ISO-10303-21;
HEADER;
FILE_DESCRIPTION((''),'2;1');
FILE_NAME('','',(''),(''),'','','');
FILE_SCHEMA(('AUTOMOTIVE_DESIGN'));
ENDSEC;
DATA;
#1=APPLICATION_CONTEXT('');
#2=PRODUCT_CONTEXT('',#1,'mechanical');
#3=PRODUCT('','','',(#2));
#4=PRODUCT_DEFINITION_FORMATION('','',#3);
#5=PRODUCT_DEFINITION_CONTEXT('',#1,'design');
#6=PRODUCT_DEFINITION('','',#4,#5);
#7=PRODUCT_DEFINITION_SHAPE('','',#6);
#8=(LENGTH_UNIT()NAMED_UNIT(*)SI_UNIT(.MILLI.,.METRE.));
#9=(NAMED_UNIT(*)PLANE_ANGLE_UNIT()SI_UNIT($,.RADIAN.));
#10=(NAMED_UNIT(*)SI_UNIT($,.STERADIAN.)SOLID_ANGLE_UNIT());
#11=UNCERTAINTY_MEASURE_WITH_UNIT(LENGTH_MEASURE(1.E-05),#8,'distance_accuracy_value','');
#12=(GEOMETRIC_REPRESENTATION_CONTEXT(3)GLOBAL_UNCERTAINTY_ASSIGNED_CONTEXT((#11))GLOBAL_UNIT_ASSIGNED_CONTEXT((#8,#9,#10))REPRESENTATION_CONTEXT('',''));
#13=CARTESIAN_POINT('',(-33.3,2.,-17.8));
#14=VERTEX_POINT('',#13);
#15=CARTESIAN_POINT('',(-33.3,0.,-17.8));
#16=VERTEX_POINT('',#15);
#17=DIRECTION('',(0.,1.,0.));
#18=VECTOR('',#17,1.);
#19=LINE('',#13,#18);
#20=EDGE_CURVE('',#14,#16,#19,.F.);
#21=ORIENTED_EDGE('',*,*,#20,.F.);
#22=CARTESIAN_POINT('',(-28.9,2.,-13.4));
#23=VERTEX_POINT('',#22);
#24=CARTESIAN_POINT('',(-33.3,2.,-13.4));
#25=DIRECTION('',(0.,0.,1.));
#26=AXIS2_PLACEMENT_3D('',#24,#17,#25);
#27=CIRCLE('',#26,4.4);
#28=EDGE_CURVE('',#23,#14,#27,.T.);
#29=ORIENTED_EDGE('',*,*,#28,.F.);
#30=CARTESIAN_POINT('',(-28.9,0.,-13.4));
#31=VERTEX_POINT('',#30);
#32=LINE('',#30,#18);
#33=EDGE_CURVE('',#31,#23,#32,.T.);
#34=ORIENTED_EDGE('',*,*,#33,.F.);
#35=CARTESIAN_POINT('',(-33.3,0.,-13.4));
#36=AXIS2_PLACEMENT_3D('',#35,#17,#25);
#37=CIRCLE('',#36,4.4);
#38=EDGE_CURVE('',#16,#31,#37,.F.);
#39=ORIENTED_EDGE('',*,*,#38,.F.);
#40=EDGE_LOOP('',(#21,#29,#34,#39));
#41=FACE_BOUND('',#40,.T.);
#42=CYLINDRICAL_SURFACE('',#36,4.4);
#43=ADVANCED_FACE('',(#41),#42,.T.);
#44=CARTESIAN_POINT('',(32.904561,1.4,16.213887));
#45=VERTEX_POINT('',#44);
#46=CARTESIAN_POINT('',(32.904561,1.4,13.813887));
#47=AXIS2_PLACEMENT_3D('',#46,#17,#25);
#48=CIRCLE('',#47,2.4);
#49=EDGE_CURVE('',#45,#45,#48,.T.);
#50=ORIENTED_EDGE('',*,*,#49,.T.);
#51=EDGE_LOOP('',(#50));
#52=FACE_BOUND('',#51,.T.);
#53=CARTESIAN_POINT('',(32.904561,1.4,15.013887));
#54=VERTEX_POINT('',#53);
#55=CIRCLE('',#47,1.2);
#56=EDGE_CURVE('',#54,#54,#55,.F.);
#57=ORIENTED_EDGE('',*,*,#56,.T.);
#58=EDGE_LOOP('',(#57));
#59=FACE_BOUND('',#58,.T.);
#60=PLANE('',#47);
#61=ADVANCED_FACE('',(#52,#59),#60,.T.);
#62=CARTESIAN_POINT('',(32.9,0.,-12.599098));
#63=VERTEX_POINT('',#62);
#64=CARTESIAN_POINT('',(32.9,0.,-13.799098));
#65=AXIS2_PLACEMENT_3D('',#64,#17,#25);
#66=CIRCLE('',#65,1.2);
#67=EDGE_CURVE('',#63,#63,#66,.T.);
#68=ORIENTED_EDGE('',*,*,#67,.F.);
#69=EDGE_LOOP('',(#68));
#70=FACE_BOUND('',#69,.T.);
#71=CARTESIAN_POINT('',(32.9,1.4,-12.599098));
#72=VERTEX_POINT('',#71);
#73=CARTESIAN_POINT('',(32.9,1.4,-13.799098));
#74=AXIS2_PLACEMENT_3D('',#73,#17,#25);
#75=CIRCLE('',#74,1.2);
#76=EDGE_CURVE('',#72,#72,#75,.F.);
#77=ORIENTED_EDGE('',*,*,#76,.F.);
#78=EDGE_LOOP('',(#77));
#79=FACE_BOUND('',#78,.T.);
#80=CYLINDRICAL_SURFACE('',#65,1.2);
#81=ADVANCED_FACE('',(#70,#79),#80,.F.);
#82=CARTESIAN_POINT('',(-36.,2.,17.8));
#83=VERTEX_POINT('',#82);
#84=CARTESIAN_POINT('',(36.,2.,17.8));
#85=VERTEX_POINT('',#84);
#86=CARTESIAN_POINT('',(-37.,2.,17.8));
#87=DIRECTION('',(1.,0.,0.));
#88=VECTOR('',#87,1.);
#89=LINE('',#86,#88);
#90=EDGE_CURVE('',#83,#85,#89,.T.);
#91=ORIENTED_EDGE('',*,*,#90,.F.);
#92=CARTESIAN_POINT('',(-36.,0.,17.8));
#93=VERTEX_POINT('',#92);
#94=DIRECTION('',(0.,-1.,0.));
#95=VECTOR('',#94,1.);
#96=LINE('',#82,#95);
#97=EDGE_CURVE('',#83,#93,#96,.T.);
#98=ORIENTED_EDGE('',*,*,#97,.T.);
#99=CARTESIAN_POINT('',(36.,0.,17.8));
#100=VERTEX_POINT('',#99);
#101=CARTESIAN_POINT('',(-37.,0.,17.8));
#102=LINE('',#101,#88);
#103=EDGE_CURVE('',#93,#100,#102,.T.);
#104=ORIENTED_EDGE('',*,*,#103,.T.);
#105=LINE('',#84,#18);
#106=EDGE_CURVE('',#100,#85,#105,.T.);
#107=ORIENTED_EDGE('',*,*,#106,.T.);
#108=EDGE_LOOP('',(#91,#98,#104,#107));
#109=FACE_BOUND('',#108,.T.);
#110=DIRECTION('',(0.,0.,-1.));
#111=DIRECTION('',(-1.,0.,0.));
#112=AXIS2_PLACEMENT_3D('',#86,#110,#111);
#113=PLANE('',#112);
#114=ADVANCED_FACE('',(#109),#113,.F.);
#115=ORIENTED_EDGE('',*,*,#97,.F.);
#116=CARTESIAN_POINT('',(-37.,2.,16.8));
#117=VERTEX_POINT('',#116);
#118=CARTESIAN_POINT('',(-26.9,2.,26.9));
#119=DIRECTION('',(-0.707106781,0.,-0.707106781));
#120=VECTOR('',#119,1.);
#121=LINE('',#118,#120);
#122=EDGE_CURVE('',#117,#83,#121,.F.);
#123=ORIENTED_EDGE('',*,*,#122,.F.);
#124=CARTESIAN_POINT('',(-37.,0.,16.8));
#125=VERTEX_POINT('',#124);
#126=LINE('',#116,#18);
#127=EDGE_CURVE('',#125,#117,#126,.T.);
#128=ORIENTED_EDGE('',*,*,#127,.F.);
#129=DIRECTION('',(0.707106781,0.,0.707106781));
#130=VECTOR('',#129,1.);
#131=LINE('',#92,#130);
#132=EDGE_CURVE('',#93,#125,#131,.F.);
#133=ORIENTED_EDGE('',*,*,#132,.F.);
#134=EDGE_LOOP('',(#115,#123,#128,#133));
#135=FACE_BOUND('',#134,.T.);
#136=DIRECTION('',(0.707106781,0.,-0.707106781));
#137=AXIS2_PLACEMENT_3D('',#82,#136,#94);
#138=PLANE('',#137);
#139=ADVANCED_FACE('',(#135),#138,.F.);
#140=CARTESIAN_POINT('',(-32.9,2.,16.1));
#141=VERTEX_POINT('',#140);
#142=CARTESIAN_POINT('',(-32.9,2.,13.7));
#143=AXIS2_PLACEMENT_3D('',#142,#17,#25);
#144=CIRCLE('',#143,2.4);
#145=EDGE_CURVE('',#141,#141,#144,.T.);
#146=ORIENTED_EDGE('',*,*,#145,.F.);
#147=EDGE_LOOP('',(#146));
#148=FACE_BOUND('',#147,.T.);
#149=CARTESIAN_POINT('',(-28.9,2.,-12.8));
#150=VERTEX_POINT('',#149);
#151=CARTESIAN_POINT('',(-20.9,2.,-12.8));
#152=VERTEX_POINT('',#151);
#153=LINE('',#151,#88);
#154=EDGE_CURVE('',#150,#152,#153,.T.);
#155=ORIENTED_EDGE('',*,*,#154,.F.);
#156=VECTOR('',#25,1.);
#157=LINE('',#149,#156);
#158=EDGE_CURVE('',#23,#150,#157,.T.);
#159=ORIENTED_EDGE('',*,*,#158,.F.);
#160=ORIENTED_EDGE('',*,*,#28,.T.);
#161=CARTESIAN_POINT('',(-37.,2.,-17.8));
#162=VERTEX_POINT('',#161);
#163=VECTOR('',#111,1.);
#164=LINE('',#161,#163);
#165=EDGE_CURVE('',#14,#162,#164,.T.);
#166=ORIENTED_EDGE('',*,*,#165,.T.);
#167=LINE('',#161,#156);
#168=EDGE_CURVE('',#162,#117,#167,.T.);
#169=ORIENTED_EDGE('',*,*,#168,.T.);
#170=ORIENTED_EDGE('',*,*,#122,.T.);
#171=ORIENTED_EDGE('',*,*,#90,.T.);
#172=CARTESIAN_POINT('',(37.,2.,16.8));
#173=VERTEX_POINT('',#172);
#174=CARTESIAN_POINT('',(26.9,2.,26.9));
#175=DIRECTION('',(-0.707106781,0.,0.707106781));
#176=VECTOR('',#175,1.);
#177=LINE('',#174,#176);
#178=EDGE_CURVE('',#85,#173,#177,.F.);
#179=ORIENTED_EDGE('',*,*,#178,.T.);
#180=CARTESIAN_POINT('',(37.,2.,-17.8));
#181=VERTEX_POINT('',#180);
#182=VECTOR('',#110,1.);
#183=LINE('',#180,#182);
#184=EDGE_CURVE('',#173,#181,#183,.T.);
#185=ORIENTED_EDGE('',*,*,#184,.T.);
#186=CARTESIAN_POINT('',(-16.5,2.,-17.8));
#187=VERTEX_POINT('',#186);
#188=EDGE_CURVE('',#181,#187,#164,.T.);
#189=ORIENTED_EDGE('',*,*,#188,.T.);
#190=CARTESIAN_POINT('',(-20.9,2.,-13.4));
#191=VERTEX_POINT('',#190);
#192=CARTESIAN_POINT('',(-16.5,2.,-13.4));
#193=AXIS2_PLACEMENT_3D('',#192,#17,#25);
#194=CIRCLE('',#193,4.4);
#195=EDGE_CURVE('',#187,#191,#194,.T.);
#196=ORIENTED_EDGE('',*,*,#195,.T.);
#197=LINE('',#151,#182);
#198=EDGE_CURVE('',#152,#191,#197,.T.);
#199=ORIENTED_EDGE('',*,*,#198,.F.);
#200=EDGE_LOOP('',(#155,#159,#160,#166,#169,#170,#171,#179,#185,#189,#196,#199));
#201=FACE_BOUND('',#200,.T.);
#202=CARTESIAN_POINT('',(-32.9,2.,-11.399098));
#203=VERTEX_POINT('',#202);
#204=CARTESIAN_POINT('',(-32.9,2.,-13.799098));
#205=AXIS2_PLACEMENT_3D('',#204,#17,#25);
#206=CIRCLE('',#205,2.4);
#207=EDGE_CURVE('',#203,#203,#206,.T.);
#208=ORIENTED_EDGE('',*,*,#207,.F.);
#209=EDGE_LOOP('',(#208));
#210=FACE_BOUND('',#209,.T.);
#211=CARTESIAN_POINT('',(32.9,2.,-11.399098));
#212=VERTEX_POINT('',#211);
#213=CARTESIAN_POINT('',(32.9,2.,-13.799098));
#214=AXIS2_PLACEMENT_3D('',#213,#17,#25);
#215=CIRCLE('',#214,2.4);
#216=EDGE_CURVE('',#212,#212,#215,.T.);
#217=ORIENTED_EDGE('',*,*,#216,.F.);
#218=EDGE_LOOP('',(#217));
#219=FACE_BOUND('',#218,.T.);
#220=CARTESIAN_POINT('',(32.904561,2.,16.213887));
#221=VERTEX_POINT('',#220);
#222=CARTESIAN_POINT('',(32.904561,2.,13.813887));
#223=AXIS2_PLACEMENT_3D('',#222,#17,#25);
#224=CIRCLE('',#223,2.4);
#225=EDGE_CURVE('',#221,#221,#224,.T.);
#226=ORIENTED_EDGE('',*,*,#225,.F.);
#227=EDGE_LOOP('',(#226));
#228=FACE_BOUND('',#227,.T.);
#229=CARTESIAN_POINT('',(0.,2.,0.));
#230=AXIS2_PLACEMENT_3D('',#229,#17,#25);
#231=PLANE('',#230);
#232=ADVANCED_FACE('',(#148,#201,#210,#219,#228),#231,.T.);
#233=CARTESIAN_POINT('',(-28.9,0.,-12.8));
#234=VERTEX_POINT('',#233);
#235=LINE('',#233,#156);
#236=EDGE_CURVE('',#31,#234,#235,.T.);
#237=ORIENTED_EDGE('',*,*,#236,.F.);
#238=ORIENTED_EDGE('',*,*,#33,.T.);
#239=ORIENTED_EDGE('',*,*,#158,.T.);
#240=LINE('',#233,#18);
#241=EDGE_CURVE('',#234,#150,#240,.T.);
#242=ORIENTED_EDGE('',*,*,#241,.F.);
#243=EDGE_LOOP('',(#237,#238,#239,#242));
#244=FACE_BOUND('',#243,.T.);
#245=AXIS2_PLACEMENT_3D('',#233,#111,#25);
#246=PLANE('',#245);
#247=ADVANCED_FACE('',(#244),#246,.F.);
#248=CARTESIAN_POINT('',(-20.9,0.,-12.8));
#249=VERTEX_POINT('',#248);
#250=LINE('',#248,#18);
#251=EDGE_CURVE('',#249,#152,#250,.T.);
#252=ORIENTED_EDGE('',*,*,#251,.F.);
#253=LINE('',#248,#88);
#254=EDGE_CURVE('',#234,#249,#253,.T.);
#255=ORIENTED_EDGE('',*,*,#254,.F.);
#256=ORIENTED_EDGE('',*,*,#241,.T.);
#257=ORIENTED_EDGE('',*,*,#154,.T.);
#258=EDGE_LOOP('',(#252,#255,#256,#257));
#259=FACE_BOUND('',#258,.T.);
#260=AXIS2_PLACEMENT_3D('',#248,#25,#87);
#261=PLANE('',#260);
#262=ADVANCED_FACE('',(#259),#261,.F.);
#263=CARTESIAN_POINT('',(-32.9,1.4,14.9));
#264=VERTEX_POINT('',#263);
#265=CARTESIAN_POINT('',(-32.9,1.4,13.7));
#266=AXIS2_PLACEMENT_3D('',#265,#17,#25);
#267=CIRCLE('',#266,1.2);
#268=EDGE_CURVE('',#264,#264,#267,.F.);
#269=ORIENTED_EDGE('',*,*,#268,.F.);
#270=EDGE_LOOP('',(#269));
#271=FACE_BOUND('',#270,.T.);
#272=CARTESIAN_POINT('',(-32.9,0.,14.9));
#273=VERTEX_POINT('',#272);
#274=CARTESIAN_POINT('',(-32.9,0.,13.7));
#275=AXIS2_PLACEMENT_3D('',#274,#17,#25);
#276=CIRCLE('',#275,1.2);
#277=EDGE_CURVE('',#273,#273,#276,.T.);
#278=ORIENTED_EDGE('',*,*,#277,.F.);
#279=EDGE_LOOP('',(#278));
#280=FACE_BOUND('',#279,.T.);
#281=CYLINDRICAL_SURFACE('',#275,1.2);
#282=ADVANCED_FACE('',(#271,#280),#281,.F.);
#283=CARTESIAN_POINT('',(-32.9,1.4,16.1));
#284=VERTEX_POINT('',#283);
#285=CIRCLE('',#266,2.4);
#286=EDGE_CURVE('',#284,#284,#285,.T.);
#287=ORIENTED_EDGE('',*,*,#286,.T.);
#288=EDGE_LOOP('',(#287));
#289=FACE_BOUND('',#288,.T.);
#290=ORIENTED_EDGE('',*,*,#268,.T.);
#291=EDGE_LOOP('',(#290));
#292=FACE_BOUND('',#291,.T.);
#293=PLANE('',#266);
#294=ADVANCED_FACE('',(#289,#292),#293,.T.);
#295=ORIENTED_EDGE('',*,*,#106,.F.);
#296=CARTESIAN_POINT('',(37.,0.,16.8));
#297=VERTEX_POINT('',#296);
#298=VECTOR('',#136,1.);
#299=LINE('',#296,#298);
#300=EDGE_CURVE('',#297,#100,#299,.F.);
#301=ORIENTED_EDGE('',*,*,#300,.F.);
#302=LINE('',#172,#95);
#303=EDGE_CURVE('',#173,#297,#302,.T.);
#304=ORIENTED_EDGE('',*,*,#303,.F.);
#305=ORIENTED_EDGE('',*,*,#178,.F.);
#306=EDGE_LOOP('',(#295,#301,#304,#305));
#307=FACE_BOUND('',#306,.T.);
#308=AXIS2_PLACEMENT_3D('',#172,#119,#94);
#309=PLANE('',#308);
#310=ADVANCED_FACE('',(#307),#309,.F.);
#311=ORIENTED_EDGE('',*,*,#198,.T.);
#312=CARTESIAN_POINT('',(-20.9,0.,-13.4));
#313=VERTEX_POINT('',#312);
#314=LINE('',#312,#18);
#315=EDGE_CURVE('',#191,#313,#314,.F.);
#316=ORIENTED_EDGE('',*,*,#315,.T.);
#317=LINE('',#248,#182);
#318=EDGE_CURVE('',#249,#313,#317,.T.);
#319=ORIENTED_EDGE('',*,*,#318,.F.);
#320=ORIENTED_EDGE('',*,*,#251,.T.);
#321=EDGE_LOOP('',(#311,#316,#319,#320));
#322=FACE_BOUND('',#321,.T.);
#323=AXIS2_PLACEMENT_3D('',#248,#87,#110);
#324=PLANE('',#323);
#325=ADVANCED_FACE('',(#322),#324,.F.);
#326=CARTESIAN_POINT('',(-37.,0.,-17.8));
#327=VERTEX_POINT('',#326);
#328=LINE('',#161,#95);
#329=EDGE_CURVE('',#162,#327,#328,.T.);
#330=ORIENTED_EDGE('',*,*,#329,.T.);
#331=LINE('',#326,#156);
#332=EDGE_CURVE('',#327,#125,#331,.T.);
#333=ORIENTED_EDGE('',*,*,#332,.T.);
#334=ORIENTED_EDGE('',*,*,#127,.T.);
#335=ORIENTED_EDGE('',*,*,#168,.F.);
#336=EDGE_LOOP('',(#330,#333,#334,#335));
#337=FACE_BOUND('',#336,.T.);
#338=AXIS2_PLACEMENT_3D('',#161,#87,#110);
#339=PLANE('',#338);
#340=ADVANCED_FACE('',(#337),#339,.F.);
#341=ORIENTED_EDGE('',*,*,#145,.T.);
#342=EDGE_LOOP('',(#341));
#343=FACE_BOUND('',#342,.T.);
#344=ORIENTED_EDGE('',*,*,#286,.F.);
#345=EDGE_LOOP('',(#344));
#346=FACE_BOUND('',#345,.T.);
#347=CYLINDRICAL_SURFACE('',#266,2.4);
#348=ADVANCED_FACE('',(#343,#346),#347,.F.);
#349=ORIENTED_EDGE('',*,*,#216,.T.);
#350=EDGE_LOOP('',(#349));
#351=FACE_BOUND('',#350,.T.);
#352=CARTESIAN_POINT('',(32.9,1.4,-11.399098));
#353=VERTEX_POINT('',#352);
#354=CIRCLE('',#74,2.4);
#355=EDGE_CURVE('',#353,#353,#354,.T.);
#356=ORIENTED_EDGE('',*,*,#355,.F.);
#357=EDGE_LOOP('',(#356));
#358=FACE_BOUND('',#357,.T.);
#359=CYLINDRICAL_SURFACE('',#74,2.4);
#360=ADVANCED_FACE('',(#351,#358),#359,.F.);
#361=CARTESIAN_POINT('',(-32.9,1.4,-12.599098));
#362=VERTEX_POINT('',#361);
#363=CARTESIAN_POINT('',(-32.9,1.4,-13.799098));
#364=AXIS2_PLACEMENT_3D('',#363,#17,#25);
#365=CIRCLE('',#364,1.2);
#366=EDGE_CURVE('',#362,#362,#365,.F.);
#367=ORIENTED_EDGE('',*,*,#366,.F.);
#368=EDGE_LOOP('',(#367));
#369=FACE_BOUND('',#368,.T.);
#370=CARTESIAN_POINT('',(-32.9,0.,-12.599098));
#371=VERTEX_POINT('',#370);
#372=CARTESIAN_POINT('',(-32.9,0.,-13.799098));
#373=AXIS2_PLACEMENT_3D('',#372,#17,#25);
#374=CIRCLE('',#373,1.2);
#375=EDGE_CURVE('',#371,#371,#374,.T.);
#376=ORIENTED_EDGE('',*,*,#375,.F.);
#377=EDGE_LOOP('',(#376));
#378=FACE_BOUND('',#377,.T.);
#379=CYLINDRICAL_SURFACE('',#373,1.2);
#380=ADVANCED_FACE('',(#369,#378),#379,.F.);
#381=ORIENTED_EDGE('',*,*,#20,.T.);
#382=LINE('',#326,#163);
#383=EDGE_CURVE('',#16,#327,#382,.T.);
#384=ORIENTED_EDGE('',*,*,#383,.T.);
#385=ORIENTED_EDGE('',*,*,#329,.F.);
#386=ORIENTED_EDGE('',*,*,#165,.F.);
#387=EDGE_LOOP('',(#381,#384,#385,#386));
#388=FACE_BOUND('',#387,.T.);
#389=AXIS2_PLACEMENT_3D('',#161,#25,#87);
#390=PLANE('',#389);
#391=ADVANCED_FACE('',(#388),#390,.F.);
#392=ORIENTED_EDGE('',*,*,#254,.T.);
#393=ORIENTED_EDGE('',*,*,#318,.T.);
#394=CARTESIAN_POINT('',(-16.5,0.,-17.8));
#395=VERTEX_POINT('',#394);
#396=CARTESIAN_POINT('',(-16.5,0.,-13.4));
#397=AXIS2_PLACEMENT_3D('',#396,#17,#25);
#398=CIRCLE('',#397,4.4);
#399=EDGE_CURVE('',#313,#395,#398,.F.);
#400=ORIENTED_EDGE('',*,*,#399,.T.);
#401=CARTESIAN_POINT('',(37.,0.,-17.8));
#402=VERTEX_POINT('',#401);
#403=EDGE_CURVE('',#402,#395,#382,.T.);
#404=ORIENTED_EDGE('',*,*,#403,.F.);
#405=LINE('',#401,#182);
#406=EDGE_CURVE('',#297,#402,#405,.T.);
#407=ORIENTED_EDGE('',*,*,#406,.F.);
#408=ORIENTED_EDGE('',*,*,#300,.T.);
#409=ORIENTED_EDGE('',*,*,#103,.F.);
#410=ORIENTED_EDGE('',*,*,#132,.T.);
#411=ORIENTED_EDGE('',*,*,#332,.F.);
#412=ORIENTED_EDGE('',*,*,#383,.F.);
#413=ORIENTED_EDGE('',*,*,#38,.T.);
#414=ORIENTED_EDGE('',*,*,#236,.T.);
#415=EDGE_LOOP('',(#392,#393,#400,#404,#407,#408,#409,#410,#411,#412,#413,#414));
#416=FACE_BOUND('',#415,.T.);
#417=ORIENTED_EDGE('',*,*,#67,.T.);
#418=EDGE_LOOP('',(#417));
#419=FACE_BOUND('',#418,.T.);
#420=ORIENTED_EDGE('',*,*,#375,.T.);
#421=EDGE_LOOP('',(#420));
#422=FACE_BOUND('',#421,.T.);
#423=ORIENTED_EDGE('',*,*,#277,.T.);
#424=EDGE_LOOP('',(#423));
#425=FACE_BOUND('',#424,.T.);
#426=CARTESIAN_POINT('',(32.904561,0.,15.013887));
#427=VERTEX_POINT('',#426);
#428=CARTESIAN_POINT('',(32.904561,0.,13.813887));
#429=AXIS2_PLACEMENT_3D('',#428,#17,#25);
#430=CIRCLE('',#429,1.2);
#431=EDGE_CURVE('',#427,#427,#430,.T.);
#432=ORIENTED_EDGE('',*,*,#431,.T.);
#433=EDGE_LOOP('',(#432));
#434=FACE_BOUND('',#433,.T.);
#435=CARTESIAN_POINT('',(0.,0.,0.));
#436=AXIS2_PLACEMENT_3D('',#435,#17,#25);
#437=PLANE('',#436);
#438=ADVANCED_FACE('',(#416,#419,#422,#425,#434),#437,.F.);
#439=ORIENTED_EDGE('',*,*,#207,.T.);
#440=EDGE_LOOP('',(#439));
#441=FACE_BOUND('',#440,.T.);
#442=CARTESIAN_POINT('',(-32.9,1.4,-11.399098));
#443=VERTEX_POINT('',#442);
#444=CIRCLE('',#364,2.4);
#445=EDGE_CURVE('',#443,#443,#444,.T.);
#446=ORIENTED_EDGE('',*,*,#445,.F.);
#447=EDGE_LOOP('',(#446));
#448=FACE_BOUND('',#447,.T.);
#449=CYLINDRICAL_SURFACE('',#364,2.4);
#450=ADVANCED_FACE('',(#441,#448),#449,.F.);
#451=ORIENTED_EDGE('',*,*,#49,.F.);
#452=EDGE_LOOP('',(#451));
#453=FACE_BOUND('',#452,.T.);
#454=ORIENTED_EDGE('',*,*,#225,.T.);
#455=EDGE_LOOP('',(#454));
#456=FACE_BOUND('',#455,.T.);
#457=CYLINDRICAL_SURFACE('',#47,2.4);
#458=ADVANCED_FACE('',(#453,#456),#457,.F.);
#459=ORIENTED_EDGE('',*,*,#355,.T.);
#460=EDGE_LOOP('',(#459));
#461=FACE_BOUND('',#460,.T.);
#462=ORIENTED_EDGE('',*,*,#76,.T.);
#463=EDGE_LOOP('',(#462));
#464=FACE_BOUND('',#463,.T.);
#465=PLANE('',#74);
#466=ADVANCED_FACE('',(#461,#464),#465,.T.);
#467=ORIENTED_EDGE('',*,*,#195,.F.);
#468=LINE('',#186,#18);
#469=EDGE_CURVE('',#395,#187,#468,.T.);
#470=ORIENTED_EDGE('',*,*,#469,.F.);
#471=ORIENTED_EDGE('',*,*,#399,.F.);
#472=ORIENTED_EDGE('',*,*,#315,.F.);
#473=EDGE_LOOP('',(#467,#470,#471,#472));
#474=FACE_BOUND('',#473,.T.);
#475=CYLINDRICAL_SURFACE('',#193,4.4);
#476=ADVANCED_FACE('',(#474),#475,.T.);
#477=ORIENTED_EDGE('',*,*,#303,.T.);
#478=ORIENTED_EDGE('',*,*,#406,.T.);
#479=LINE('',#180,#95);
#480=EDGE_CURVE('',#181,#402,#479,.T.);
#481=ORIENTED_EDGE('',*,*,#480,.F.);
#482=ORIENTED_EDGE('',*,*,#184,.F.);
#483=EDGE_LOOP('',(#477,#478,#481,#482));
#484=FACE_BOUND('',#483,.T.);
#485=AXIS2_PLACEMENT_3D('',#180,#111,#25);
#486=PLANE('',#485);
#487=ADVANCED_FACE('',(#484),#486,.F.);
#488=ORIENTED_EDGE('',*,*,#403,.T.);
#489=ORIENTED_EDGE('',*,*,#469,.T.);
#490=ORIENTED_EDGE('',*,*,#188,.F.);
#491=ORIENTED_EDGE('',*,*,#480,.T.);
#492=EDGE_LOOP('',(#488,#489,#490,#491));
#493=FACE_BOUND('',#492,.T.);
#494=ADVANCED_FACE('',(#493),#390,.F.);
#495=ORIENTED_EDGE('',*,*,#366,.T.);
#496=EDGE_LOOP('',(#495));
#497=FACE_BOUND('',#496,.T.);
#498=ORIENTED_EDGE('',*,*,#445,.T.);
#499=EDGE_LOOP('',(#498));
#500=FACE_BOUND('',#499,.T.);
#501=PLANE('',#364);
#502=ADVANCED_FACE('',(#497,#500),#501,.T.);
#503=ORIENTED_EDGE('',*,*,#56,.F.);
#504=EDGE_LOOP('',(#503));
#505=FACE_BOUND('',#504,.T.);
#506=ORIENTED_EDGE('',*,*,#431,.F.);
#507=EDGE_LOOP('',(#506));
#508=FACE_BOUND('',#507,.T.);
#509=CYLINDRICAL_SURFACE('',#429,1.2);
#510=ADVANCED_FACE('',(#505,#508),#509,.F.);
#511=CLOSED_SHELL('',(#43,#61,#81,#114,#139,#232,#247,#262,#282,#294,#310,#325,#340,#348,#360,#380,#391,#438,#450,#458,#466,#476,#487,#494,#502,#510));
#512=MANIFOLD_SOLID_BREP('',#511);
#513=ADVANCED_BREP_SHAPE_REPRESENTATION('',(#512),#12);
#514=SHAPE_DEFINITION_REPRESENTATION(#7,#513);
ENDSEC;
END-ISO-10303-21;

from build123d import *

# Parameters (mm, degrees)
SKETCH_1_W          = 74
SKETCH_1_H          = 35.6
EXTRUDE_1_DEPTH     = 2
CHAMFER_1_SIZE      = 1
SKETCH_2_R          = 1.2
CUT_EXTRUDE_1_DEPTH = 42.107663519
SKETCH_3_R          = 2.4
CUT_EXTRUDE_2_DEPTH = 0.6
SKETCH_5_W          = 8
SKETCH_5_H          = 5
CUT_EXTRUDE_3_DEPTH = 42.107663519
FILLET_1_R          = 4.4


with BuildPart() as part:
    # 草图1 → 凸台-拉伸1 (new body)
    with BuildSketch(Plane(origin=(0, 0, 0), x_dir=(1, 0, 0), z_dir=(0, 1, 0))):
        Rectangle(SKETCH_1_W, SKETCH_1_H)
    extrude(amount=EXTRUDE_1_DEPTH)

    # 倒角1
    chamfer_1_edges = [part.edges().sort_by_distance(p)[0] for p in [
        (37, 1, 17.8),
        (-37, 1, 17.8),
    ]]
    chamfer(chamfer_1_edges, length=CHAMFER_1_SIZE)

    # 草图2 → 切除-拉伸1 (cut, through all)
    with BuildSketch(Plane(origin=(0, 2, 0), x_dir=(1, 0, 0), z_dir=(0, 1, 0))):
        with Locations(Location((32.904560765, -13.813886845, 0), (0, 0, 270))):
            Circle(SKETCH_2_R)
        with Locations(Location((-32.9, -13.7, 0), (0, 0, 270))):
            Circle(SKETCH_2_R)
        with Locations(Location((-32.9, 13.799098008, 0), (0, 0, 270))):
            Circle(SKETCH_2_R)
        with Locations(Location((32.9, 13.799098008, 0), (0, 0, 270))):
            Circle(SKETCH_2_R)
    extrude(amount=-CUT_EXTRUDE_1_DEPTH, mode=Mode.SUBTRACT)

    # 草图3 → 切除-拉伸2 (cut)
    with BuildSketch(Plane(origin=(0, 2, 0), x_dir=(1, 0, 0), z_dir=(0, 1, 0))):
        with Locations(Location((32.904560765, -13.813886845, 0), (0, 0, 270))):
            Circle(SKETCH_3_R)
        with Locations(Location((-32.9, -13.7, 0), (0, 0, 270))):
            Circle(SKETCH_3_R)
        with Locations(Location((32.9, 13.799098008, 0), (0, 0, 270))):
            Circle(SKETCH_3_R)
        with Locations(Location((-32.9, 13.799098008, 0), (0, 0, 270))):
            Circle(SKETCH_3_R)
    extrude(amount=-CUT_EXTRUDE_2_DEPTH, mode=Mode.SUBTRACT)

    # 草图5 → 切除-拉伸3 (cut, through all)
    with BuildSketch(Plane(origin=(0, 2, 0), x_dir=(1, 0, 0), z_dir=(0, 1, 0))):
        with Locations((-24.9, 15.3)):
            Rectangle(SKETCH_5_W, SKETCH_5_H)
    extrude(amount=-CUT_EXTRUDE_3_DEPTH, mode=Mode.SUBTRACT)

    # 圆角1
    fillet_1_edges = [part.edges().sort_by_distance(p)[0] for p in [
        (-20.9, 1, -17.8),
        (-28.9, 1, -17.8),
    ]]
    fillet(fillet_1_edges, radius=FILLET_1_R)


solid = part.part
